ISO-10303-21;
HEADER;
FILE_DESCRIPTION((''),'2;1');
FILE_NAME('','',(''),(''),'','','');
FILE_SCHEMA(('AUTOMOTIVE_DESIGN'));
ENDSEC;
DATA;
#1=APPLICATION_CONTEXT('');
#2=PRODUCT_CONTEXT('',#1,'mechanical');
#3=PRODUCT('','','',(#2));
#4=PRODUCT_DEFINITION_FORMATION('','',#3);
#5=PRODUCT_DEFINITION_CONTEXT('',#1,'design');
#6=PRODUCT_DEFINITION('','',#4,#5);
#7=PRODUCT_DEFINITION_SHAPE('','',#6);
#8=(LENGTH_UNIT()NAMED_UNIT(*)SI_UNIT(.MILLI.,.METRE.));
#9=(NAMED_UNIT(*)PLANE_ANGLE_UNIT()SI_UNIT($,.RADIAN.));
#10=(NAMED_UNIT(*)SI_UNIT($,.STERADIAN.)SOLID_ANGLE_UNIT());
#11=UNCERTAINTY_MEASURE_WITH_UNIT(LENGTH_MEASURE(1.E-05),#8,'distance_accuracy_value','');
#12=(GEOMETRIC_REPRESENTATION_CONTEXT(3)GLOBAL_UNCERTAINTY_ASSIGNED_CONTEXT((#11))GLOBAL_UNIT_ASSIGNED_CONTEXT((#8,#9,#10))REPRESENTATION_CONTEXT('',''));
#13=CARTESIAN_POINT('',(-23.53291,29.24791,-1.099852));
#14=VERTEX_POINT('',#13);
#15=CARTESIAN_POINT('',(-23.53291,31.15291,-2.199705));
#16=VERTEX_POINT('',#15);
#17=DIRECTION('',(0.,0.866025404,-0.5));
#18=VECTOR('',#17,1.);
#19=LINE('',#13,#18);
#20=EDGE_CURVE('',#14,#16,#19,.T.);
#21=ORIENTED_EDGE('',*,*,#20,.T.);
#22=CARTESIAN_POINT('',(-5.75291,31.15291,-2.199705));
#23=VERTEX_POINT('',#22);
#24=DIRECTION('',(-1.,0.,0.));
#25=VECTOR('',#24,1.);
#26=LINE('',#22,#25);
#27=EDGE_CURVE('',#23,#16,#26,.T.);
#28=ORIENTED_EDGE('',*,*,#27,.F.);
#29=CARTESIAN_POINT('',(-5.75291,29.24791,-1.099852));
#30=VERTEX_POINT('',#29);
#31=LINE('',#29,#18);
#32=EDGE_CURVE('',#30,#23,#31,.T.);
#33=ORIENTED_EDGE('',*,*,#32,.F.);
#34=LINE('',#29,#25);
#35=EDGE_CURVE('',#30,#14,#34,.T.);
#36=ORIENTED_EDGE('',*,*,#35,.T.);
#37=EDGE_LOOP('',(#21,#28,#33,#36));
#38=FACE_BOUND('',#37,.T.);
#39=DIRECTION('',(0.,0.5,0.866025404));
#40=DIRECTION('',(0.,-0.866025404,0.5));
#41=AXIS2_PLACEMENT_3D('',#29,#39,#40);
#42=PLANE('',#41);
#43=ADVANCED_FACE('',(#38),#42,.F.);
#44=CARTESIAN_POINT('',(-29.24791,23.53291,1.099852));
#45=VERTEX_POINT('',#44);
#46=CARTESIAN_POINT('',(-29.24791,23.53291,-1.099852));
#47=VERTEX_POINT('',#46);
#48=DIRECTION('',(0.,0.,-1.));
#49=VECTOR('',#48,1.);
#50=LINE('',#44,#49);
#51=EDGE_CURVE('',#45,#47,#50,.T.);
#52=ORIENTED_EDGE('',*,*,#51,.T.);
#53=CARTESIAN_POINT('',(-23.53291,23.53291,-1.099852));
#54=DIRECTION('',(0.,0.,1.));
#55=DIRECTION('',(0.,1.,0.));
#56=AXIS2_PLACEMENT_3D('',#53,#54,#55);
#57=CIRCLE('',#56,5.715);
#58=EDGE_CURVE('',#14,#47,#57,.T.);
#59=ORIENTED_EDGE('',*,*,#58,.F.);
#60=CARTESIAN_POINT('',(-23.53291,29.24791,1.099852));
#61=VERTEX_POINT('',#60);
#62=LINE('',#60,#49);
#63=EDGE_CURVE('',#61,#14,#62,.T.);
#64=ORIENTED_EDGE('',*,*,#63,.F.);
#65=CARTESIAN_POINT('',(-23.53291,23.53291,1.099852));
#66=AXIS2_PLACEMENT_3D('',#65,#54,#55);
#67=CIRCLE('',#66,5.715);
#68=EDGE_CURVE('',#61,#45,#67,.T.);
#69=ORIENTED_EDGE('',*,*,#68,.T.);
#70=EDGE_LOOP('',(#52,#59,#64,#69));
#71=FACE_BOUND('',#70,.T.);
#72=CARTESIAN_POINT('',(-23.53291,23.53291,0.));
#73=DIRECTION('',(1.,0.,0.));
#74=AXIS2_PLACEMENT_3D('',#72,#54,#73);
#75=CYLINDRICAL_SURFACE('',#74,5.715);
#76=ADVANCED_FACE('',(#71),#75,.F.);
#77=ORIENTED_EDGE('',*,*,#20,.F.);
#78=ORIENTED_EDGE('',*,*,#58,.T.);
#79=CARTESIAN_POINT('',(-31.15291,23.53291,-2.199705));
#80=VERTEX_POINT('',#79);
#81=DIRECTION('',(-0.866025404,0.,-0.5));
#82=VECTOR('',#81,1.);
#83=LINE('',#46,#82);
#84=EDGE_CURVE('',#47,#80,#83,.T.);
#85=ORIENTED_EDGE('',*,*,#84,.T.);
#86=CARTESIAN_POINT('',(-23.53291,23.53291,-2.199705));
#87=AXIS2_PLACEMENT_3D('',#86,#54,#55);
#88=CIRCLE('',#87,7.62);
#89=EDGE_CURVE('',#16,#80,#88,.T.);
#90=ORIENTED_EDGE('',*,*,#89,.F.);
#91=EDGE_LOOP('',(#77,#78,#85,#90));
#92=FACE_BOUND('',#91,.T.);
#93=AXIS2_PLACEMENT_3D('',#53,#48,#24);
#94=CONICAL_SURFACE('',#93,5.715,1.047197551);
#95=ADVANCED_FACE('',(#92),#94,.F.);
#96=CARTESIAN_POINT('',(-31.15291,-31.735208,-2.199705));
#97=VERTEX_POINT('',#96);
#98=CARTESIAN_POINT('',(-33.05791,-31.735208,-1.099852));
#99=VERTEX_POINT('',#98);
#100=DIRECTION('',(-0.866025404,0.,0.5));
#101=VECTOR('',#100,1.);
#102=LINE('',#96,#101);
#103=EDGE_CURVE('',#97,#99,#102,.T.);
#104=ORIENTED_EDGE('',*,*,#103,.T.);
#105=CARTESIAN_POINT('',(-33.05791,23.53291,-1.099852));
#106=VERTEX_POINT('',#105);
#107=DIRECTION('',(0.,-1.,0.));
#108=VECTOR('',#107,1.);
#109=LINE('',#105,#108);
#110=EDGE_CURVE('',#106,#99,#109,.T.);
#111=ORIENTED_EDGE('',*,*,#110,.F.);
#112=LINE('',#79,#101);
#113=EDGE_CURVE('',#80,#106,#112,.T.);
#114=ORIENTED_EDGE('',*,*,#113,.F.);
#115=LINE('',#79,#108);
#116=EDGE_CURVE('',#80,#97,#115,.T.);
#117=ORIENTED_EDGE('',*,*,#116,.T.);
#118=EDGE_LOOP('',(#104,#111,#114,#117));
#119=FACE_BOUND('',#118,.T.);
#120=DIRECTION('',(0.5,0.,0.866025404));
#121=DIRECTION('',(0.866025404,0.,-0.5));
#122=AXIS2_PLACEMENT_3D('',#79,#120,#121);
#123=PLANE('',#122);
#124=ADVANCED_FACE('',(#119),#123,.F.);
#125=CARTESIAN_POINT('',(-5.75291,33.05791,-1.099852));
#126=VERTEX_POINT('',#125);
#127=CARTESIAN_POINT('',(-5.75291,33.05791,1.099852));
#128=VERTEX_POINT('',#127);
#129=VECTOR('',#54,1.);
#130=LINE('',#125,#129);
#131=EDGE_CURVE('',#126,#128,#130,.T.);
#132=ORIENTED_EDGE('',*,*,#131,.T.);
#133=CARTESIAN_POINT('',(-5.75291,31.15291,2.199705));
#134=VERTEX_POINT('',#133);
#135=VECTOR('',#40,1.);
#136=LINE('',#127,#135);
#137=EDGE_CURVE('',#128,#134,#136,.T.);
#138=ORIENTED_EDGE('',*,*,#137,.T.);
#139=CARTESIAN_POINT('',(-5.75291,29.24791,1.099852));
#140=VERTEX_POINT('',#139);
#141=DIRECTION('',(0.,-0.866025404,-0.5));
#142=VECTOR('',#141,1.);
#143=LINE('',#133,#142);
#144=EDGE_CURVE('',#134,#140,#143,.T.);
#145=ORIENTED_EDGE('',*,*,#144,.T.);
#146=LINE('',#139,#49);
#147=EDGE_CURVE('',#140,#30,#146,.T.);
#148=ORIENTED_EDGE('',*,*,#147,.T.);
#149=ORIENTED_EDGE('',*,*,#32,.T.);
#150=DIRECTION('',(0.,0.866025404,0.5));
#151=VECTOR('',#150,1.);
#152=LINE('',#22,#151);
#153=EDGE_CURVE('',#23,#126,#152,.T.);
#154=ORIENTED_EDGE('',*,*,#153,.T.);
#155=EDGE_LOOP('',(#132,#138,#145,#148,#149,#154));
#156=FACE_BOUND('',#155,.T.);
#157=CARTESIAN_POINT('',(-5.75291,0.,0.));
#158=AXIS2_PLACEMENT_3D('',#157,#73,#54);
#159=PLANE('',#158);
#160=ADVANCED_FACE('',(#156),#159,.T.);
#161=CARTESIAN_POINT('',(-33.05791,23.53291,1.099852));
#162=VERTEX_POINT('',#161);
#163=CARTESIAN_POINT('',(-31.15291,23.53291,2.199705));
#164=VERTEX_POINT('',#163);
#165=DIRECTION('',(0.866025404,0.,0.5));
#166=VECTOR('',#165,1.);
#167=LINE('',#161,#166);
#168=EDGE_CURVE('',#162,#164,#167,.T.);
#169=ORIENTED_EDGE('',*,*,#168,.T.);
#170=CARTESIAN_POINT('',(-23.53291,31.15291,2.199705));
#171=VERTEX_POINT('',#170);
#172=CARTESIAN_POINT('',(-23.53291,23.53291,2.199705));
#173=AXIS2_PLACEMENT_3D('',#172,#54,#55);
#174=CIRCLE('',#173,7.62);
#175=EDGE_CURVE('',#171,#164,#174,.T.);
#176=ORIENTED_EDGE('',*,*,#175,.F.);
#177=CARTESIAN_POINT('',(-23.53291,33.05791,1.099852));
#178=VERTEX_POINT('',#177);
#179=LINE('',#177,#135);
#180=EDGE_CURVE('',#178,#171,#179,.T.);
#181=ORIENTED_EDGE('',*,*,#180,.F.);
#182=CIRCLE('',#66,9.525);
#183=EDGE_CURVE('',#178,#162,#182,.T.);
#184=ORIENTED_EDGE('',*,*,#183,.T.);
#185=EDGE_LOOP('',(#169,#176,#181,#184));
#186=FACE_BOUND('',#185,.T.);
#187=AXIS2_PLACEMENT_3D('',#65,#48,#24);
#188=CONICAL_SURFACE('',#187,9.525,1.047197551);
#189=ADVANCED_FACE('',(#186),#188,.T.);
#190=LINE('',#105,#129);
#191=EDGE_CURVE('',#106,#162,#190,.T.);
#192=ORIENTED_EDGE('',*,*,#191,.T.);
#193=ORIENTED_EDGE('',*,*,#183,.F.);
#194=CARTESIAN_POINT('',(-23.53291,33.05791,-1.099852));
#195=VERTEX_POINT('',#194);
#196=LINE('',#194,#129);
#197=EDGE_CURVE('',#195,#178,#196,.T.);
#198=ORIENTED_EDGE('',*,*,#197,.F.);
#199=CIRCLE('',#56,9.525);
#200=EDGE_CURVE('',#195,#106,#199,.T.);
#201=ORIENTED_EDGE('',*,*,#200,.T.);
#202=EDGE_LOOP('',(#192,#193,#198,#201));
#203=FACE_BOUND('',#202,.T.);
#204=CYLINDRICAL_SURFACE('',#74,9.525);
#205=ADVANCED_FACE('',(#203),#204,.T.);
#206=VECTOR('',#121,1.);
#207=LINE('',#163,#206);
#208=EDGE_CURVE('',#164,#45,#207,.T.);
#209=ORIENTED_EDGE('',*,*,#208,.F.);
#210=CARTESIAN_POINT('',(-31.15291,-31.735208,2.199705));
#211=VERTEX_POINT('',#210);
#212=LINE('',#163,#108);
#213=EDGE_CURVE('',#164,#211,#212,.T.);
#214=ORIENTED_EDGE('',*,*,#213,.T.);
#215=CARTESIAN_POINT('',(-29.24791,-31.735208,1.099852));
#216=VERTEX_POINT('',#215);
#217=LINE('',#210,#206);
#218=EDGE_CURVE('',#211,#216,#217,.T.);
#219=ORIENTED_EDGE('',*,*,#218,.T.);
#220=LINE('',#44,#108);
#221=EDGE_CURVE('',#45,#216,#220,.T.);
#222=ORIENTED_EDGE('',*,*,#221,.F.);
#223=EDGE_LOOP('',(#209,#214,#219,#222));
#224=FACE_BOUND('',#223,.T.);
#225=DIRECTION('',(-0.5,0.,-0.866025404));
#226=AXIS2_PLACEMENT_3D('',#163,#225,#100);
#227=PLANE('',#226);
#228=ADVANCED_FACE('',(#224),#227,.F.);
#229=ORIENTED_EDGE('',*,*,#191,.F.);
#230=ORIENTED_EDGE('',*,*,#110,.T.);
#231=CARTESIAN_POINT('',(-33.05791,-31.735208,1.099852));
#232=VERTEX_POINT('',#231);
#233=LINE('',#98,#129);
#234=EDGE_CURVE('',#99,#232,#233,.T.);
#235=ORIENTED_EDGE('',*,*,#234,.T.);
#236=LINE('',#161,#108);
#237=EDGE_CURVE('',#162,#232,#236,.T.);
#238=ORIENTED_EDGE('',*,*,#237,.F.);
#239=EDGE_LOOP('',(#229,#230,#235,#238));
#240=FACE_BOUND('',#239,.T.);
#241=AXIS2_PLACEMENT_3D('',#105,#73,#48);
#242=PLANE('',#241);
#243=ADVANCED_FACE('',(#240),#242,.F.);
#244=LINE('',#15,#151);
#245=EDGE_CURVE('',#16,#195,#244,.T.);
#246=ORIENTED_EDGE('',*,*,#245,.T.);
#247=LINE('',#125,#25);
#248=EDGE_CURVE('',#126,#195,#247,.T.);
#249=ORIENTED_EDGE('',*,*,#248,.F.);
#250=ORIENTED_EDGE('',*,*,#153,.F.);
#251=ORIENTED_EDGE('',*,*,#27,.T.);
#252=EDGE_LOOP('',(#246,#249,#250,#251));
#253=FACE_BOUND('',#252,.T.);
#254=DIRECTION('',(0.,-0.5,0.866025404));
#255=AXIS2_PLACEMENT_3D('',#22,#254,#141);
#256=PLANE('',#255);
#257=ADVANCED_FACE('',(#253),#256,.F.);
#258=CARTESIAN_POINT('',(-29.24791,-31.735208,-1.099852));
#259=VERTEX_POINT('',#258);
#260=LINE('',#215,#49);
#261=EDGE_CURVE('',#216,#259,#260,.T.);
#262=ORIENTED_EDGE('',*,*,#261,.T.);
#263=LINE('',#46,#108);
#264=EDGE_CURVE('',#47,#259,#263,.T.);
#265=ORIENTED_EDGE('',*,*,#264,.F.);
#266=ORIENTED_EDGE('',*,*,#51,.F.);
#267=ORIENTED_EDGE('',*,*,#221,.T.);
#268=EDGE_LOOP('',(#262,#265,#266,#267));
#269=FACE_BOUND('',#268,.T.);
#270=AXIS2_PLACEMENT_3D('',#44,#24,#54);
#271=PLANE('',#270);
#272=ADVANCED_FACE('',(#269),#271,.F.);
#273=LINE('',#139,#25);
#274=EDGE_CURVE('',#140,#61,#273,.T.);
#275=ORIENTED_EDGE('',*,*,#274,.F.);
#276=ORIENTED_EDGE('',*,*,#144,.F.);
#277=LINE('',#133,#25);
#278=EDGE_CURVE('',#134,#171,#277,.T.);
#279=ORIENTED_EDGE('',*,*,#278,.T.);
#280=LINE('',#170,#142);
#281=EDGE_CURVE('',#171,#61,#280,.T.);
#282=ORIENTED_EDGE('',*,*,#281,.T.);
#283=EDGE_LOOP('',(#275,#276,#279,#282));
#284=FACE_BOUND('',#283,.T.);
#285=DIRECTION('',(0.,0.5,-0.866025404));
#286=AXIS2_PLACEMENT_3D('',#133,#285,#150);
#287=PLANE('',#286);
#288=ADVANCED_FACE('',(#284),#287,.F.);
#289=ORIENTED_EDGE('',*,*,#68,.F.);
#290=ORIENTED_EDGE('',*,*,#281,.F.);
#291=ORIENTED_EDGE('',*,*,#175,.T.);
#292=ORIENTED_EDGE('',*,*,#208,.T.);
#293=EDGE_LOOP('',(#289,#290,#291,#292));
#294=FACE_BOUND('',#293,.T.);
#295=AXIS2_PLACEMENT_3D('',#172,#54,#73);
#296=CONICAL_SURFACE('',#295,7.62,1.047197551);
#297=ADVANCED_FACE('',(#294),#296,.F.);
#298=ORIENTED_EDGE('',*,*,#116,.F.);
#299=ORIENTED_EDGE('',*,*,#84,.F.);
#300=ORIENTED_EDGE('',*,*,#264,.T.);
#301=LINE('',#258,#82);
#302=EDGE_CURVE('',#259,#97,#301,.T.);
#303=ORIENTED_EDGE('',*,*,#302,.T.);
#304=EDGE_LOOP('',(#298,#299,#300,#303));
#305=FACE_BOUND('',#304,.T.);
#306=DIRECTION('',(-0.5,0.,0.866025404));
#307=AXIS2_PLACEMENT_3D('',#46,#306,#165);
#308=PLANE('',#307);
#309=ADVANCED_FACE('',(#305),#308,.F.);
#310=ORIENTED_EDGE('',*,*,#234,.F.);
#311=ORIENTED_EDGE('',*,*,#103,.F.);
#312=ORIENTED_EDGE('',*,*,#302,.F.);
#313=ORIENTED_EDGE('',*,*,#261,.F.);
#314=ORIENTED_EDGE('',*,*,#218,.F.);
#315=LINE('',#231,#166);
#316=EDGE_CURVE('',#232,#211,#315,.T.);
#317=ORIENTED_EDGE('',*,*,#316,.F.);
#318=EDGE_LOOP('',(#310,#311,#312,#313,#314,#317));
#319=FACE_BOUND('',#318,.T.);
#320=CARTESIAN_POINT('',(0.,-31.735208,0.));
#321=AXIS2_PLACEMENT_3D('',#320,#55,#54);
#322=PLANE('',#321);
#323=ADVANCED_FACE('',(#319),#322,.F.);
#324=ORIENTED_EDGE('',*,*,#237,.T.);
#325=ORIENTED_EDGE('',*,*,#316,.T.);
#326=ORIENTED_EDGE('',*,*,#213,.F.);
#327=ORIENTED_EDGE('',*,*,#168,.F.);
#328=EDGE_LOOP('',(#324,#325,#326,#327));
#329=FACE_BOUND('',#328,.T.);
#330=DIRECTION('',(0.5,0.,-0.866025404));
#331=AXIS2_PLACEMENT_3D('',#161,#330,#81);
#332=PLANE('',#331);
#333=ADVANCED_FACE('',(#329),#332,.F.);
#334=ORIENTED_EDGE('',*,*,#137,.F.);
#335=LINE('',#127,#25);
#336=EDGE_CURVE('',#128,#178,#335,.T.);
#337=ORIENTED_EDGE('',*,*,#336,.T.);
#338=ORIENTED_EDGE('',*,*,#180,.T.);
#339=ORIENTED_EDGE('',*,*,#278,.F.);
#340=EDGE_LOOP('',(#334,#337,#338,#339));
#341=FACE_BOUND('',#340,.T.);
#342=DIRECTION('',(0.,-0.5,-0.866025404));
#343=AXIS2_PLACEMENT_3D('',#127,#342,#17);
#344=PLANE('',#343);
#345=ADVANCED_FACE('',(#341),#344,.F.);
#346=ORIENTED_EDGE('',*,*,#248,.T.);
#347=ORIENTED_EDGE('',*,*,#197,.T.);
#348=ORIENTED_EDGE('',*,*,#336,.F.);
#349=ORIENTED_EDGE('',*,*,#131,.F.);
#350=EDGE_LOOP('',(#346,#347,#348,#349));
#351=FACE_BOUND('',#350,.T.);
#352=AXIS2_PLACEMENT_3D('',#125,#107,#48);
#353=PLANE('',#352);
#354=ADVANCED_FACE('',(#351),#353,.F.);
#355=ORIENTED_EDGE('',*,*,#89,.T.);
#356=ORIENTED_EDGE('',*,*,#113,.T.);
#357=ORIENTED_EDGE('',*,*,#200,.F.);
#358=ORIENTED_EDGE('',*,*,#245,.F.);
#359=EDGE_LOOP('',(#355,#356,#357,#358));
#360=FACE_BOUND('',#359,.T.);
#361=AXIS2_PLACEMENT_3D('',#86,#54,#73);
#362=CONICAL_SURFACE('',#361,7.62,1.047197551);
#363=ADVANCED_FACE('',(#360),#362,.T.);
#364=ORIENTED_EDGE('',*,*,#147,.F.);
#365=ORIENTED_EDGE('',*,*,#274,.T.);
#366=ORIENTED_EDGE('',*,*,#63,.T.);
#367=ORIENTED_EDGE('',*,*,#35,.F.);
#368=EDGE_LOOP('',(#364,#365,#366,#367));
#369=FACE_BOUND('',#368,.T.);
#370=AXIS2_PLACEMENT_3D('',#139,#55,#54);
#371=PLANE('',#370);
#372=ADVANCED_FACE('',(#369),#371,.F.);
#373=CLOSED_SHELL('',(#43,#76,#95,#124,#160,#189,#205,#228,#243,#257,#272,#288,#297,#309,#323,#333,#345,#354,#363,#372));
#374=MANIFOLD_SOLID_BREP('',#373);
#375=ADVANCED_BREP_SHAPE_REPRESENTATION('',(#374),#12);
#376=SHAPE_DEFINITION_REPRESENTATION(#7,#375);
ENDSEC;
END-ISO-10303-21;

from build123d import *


with BuildPart() as part:
    # Sweep1: sweep along a path in Sketch3
    with BuildLine(Plane.XY) as sweep1_path:
        Line((-31.152910165, -31.735207551), (-31.152910165, 23.532910165))
        ThreePointArc((-31.152910165, 23.532910165), (-28.921063837, 28.921063837), (-23.532910165, 31.152910165))
        Line((-23.532910165, 31.152910165), (-5.752910165, 31.152910165))
    # Sketch5 → Sweep1 (sweep)
    with BuildSketch(Plane(origin=(0, 0, 0), x_dir=(1, 0, 0), z_dir=(0, 1, 0))):
        Polygon((-31.152910165, 2.199704526), (-33.057910165, 1.099852263), (-33.057910165, -1.099852263), (-31.152910165, -2.199704526), (-29.247910165, -1.099852263), (-29.247910165, 1.099852263), align=None)
    sweep(path=sweep1_path.line)


solid = part.part
